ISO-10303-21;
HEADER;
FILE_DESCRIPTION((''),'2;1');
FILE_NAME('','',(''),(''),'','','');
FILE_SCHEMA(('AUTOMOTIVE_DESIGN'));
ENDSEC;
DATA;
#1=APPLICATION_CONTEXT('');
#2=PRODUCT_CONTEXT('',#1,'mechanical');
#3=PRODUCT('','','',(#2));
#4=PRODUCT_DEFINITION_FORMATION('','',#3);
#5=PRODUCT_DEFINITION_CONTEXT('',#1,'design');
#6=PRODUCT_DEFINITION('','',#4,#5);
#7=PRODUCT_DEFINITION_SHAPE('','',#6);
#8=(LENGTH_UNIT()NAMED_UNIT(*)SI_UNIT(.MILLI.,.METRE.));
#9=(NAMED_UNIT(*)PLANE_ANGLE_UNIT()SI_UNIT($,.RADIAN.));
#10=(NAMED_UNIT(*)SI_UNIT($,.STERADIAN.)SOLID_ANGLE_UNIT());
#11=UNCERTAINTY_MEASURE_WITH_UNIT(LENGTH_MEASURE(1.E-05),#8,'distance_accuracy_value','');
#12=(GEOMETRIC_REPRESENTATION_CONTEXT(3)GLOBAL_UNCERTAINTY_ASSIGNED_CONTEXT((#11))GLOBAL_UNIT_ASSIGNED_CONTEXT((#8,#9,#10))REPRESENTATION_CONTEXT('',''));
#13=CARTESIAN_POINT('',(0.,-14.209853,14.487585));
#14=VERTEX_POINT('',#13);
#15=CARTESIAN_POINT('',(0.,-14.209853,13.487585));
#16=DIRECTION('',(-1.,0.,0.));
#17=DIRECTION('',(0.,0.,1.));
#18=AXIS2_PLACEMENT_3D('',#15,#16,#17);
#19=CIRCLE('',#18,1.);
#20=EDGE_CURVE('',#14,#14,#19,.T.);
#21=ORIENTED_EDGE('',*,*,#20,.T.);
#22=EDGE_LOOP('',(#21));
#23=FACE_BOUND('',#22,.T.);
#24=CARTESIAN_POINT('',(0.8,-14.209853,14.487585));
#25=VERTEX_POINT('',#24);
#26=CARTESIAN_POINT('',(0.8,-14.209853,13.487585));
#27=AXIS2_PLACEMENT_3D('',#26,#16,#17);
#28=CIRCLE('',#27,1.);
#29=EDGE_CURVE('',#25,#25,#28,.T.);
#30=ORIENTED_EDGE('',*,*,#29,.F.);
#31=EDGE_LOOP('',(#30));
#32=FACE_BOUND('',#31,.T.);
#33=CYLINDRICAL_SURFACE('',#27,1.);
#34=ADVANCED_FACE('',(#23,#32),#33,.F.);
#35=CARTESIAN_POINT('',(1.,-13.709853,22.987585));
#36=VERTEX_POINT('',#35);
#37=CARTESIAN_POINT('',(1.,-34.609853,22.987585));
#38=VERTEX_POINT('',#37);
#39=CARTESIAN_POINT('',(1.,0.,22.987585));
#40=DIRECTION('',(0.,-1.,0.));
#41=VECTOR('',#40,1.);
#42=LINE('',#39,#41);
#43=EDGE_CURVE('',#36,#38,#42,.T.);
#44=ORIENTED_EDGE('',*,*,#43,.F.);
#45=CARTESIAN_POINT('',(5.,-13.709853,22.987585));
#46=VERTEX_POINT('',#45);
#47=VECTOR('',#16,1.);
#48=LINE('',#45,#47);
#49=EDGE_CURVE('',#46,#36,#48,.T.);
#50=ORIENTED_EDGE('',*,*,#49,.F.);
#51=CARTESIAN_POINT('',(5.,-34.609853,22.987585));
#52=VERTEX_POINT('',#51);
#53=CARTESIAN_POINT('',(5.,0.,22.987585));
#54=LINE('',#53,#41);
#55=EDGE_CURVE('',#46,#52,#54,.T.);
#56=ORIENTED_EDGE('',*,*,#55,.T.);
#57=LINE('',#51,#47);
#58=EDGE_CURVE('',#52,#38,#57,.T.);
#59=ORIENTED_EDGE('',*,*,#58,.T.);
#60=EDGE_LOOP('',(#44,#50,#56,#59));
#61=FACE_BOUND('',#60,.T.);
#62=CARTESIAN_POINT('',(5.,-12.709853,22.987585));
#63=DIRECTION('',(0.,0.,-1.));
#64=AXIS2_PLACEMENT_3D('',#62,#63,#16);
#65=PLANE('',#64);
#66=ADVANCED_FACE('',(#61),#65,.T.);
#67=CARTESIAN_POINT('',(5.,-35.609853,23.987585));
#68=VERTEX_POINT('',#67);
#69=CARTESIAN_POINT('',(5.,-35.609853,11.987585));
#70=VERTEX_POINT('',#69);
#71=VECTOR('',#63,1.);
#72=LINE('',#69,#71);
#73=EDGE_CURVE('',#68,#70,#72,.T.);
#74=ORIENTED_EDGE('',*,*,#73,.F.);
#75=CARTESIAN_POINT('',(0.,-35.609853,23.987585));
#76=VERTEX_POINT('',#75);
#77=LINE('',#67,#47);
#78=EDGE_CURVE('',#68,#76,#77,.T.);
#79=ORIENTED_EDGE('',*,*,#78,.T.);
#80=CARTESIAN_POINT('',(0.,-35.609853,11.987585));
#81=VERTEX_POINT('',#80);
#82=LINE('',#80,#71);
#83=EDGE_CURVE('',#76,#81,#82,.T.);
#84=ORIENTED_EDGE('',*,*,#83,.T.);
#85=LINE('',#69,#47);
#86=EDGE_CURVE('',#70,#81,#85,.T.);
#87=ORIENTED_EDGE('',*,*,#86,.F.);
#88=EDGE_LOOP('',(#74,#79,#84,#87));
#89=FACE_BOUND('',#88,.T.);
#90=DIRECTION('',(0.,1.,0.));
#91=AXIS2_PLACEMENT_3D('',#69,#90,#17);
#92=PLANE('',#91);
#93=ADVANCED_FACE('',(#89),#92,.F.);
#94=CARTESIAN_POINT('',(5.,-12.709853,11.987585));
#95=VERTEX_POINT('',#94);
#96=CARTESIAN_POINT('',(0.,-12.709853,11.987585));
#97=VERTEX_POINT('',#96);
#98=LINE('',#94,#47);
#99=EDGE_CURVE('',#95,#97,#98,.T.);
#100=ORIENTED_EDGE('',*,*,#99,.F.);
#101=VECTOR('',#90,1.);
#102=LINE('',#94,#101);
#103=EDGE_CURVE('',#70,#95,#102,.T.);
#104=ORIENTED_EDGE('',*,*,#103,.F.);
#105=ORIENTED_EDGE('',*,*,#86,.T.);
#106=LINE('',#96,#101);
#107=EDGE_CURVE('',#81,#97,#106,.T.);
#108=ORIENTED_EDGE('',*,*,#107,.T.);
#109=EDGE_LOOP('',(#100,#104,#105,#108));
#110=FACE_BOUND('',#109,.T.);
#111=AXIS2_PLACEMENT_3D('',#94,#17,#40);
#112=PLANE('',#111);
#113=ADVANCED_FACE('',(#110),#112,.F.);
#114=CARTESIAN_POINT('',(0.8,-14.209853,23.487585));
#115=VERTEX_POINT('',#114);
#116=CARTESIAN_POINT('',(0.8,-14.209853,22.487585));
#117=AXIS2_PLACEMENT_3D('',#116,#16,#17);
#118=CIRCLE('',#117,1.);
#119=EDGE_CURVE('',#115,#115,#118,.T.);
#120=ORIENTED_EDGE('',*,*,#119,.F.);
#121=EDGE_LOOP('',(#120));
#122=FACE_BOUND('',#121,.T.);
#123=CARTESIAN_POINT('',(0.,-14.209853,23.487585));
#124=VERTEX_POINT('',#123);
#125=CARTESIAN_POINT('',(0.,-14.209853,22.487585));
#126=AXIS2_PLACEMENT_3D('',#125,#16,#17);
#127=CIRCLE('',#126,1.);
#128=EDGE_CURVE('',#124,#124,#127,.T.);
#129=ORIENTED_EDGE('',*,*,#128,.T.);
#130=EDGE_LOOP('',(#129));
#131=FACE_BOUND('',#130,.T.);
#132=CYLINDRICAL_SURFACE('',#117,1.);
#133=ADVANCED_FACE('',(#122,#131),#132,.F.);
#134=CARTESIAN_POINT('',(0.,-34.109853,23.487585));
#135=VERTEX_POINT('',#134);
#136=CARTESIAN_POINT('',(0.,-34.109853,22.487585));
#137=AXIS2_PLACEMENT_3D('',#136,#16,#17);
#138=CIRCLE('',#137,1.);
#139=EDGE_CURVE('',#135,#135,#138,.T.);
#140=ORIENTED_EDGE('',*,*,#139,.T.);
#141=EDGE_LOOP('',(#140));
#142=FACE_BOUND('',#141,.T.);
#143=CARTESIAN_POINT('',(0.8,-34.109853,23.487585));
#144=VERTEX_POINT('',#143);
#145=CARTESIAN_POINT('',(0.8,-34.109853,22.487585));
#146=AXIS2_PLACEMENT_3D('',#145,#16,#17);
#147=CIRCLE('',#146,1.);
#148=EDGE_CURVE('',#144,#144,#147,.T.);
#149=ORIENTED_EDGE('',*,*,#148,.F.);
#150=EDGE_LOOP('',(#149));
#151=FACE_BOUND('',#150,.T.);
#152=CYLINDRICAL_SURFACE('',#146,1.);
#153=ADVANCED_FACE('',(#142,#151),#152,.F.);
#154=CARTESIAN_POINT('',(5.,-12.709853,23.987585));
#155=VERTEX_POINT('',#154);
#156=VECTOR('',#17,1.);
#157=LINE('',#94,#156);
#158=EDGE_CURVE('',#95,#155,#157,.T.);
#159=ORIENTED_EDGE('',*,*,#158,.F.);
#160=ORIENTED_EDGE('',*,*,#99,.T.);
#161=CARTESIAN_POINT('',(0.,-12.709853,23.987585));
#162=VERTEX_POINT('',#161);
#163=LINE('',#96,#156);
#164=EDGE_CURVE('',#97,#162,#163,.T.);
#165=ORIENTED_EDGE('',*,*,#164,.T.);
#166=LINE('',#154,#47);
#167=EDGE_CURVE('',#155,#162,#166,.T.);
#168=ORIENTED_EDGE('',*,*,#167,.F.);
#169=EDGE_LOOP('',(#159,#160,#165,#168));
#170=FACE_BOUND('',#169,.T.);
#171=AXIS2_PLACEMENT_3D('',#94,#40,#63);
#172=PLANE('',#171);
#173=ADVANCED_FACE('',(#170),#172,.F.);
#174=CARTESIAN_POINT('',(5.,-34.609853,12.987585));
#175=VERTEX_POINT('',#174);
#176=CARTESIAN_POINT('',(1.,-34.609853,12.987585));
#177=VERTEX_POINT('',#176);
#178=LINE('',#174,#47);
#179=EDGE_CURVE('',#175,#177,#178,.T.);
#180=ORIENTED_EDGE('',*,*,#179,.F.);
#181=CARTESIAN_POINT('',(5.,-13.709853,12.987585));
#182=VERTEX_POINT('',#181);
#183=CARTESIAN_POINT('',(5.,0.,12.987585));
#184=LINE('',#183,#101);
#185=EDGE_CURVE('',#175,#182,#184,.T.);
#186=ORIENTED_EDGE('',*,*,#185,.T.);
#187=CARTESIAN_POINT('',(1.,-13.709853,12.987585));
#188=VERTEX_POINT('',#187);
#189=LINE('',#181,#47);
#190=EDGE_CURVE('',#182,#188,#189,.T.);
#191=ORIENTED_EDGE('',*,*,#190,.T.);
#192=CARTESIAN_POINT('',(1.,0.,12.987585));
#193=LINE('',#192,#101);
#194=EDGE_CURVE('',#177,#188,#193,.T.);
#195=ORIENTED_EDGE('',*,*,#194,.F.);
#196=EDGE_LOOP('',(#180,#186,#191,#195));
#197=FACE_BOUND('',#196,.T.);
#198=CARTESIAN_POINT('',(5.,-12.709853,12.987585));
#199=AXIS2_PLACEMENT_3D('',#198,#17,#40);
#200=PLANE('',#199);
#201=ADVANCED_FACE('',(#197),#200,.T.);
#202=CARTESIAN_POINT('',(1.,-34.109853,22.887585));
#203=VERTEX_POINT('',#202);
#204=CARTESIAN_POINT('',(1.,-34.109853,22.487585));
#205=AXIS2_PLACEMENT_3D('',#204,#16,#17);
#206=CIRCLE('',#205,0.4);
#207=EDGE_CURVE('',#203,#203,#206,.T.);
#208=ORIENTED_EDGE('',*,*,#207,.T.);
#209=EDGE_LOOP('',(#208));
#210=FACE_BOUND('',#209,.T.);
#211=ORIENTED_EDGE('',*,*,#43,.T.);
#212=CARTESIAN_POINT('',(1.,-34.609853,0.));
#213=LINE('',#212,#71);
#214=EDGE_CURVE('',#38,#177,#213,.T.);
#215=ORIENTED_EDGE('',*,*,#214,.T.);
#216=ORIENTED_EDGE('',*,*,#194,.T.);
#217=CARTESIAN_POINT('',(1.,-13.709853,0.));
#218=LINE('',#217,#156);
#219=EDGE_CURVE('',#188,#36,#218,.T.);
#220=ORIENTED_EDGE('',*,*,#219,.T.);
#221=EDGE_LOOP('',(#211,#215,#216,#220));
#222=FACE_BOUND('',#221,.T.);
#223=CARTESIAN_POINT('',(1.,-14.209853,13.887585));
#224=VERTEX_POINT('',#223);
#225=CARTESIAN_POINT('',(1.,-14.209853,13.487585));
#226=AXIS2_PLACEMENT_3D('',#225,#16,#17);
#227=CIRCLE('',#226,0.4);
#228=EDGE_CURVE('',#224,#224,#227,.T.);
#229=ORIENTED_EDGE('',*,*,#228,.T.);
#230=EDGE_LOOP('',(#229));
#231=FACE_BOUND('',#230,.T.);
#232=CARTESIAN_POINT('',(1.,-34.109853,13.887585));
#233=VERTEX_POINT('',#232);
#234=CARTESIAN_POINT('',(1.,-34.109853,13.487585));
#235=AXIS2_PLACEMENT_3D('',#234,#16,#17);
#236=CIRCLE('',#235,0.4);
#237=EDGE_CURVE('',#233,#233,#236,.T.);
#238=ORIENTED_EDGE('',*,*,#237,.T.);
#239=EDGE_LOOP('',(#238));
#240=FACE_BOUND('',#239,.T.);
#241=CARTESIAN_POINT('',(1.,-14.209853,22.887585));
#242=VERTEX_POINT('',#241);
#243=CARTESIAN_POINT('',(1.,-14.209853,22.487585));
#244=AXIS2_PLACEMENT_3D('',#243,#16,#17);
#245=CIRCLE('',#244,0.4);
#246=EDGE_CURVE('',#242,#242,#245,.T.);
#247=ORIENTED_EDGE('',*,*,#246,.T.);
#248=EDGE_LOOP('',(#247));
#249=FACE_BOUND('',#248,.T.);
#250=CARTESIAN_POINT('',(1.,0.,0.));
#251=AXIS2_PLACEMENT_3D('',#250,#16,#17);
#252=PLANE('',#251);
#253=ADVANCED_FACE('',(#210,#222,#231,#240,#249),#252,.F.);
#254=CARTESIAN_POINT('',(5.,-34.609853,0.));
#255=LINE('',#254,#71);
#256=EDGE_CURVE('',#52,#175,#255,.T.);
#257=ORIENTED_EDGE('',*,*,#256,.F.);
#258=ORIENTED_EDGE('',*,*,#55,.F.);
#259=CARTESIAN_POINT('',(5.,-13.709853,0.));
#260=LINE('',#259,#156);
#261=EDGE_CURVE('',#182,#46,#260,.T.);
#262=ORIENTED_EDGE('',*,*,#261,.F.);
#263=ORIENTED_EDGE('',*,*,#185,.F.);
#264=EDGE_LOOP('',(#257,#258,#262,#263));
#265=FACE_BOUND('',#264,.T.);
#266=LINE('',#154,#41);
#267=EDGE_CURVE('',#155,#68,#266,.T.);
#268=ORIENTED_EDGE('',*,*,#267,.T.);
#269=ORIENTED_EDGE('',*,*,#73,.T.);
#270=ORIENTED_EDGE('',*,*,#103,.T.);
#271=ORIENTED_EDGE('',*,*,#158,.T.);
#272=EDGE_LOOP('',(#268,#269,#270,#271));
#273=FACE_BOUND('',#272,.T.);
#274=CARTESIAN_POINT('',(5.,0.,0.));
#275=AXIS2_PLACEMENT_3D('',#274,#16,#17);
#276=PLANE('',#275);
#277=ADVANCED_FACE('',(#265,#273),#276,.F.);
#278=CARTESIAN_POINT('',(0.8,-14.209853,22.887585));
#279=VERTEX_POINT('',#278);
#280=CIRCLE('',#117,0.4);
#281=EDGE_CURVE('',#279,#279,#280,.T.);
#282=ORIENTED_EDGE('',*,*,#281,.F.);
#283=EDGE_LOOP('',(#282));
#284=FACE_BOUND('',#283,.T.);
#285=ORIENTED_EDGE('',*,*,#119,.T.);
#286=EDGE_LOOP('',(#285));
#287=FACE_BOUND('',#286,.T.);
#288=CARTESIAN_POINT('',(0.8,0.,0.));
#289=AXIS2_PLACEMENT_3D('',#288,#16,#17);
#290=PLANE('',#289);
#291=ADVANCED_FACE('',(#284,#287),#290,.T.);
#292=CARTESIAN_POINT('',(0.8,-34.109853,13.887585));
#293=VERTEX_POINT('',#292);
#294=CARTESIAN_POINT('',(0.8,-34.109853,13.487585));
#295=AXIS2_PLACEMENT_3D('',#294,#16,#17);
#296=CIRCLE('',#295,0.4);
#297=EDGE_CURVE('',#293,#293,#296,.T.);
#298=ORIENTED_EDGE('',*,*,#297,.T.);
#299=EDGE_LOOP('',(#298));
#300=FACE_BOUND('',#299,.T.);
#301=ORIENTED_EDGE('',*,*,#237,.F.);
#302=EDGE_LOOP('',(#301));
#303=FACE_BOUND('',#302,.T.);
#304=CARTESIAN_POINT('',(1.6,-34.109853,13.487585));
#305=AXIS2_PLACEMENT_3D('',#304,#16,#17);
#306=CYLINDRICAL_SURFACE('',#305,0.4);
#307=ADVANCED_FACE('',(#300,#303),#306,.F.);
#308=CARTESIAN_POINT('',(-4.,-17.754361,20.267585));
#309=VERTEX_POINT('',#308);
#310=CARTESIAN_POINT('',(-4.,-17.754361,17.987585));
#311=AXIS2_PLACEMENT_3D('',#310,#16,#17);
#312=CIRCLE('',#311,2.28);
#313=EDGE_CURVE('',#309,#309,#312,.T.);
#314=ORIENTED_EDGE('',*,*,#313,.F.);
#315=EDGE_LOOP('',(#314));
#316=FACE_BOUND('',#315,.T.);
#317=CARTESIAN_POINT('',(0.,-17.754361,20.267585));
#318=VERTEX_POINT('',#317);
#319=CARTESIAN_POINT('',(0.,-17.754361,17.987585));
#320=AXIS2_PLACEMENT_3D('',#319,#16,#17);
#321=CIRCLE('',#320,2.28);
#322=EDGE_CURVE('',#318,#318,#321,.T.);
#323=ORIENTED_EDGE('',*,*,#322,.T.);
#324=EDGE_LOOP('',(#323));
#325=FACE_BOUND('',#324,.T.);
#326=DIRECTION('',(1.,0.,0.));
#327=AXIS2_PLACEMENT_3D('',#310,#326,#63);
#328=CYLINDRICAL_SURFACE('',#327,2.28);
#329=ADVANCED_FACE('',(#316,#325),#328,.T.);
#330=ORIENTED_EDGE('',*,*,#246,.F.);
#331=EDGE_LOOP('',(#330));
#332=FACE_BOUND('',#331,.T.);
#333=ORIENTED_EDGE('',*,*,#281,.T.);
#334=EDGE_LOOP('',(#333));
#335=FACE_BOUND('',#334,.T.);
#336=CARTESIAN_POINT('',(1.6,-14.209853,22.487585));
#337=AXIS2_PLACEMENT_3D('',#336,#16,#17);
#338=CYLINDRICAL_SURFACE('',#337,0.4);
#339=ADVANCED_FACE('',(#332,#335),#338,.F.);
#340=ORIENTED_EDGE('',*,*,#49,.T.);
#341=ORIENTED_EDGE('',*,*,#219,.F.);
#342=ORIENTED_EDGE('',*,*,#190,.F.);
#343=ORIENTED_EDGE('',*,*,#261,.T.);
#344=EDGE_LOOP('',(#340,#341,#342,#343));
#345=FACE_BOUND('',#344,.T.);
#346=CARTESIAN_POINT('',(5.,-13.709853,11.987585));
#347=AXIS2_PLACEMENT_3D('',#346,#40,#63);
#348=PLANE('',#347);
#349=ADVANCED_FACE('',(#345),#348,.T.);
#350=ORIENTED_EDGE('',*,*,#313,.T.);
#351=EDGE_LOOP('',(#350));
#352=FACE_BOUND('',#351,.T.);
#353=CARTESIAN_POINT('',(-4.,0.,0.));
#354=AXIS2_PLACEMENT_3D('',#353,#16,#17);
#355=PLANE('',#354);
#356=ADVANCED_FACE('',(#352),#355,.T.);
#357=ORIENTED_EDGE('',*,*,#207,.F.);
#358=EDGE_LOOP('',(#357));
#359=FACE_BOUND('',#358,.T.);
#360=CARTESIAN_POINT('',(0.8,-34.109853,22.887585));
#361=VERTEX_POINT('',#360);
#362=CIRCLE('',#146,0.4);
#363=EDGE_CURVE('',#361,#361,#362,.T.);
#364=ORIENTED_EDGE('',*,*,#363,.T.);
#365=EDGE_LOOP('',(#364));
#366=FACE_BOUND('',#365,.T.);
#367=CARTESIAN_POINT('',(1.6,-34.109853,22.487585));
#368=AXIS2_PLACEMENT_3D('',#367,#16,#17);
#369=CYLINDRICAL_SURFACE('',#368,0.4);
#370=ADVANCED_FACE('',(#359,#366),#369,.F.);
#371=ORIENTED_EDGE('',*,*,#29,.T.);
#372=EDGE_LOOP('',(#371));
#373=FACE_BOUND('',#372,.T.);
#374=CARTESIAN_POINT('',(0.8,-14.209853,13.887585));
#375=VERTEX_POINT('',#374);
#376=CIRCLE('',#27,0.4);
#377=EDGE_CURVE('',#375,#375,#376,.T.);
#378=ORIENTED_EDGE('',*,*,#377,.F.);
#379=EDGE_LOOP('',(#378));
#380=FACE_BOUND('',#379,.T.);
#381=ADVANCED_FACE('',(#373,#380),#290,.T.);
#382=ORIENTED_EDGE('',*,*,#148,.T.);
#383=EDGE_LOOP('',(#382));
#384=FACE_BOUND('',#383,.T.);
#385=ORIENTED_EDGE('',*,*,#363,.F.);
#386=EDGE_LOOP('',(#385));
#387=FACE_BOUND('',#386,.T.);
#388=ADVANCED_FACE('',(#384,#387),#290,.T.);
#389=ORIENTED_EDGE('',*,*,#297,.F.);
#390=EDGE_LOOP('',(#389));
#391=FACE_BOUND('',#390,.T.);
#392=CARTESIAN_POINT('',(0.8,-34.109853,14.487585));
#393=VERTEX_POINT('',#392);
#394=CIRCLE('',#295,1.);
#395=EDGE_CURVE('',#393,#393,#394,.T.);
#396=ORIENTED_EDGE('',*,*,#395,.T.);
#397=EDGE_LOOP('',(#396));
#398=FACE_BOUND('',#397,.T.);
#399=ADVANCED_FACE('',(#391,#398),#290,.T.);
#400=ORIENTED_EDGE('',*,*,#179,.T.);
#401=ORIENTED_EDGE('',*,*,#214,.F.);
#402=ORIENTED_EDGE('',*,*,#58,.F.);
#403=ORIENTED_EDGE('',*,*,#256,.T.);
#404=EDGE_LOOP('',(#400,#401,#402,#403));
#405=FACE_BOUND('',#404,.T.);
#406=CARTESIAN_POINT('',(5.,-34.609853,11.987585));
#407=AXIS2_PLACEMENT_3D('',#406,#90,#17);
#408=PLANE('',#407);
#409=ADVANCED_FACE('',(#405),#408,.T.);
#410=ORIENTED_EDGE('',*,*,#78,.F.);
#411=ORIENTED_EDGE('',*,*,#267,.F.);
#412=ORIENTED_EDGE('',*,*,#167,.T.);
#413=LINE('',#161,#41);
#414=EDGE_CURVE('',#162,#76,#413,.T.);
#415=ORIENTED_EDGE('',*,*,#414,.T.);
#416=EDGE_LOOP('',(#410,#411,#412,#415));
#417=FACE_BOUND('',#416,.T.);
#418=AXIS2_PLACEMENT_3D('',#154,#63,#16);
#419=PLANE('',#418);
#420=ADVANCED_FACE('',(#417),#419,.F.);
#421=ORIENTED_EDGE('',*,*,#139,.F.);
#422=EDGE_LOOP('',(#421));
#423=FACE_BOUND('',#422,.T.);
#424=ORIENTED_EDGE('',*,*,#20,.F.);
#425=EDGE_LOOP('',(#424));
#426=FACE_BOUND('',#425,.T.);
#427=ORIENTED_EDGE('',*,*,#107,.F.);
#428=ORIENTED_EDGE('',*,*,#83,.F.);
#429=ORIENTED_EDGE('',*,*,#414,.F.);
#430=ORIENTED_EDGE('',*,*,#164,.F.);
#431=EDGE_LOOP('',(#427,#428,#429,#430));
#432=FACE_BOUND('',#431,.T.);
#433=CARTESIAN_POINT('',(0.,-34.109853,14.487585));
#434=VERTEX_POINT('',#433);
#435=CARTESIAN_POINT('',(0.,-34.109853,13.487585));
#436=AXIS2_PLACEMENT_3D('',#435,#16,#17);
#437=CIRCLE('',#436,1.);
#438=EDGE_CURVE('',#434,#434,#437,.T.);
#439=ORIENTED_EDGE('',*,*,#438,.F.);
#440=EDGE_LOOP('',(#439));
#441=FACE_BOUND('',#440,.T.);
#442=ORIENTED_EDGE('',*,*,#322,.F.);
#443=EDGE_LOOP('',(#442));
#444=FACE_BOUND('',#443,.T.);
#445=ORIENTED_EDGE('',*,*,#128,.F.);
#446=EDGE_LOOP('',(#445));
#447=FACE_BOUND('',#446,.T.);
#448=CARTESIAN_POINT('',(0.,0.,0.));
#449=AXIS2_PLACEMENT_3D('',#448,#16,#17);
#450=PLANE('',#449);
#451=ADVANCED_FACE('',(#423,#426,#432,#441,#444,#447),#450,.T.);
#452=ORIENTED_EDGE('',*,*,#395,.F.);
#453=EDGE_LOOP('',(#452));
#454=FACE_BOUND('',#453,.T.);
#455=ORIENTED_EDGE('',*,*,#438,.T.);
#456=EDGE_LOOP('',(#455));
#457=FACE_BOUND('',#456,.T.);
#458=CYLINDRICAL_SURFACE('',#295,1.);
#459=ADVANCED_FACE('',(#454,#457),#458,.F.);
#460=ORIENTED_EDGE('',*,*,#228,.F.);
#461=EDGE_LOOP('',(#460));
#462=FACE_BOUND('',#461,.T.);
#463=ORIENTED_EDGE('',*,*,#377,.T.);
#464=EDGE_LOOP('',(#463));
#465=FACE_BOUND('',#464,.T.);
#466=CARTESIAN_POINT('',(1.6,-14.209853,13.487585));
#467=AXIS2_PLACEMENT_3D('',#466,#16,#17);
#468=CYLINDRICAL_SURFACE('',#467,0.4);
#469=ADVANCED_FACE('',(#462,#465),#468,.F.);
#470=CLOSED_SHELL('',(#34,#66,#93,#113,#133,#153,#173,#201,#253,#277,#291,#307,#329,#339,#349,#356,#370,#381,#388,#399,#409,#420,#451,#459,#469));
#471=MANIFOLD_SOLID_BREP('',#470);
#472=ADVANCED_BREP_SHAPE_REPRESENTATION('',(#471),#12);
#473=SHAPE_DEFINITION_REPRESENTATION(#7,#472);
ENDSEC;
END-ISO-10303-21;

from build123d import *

# Parameters (mm, degrees)
CROQUIS1_W              = 12
CROQUIS1_H              = 22.9
SALIENTE_EXTRUIR1_DEPTH = 5
VACIADO2_T              = -1
CROQUIS2_R              = 2.28
SALIENTE_EXTRUIR2_DEPTH = 4
CROQUIS4_R              = 1
CORTAR_EXTRUIR1_DEPTH   = 0.8
CROQUIS5_R              = 0.4
CORTAR_EXTRUIR2_DEPTH   = 0.8


with BuildPart() as part:
    # Croquis1 → Saliente-Extruir1 (new body)
    with BuildSketch(Plane(origin=(0, 0, 0), x_dir=(0, 0, -1), z_dir=(1, 0, 0))):
        with Locations((-17.987585454, -24.1598532)):
            Rectangle(CROQUIS1_W, CROQUIS1_H)
    extrude(amount=SALIENTE_EXTRUIR1_DEPTH)

    # Vaciado2
    vaciado2_openings = [part.faces().sort_by_distance(p)[0] for p in [
        (5, -24.1598532, 17.987585454),
    ]]
    offset(amount=VACIADO2_T, openings=vaciado2_openings, kind=Kind.INTERSECTION)

    # Croquis2 → Saliente-Extruir2 (add)
    with BuildSketch(Plane.ZY):
        with Locations((17.987585454, -17.75436054)):
            Circle(CROQUIS2_R)
    extrude(amount=SALIENTE_EXTRUIR2_DEPTH)

    # Croquis4 → Cortar-Extruir1 (cut)
    with BuildSketch(Plane.ZY):
        with Locations((13.487585454, -14.2098532)):
            Circle(CROQUIS4_R)
        with Locations((22.487585454, -14.2098532)):
            Circle(CROQUIS4_R)
        with Locations((13.487585454, -34.1098532)):
            Circle(CROQUIS4_R)
        with Locations((22.487585454, -34.1098532)):
            Circle(CROQUIS4_R)
    extrude(amount=-CORTAR_EXTRUIR1_DEPTH, mode=Mode.SUBTRACT)

    # Croquis5 → Cortar-Extruir2 (cut)
    with BuildSketch(Plane.ZY.offset(-0.8)):
        with Locations((13.487585454, -14.2098532)):
            Circle(CROQUIS5_R)
        with Locations((22.487585454, -14.2098532)):
            Circle(CROQUIS5_R)
        with Locations((13.487585454, -34.1098532)):
            Circle(CROQUIS5_R)
        with Locations((22.487585454, -34.1098532)):
            Circle(CROQUIS5_R)
    extrude(amount=-CORTAR_EXTRUIR2_DEPTH, mode=Mode.SUBTRACT)


solid = part.part
